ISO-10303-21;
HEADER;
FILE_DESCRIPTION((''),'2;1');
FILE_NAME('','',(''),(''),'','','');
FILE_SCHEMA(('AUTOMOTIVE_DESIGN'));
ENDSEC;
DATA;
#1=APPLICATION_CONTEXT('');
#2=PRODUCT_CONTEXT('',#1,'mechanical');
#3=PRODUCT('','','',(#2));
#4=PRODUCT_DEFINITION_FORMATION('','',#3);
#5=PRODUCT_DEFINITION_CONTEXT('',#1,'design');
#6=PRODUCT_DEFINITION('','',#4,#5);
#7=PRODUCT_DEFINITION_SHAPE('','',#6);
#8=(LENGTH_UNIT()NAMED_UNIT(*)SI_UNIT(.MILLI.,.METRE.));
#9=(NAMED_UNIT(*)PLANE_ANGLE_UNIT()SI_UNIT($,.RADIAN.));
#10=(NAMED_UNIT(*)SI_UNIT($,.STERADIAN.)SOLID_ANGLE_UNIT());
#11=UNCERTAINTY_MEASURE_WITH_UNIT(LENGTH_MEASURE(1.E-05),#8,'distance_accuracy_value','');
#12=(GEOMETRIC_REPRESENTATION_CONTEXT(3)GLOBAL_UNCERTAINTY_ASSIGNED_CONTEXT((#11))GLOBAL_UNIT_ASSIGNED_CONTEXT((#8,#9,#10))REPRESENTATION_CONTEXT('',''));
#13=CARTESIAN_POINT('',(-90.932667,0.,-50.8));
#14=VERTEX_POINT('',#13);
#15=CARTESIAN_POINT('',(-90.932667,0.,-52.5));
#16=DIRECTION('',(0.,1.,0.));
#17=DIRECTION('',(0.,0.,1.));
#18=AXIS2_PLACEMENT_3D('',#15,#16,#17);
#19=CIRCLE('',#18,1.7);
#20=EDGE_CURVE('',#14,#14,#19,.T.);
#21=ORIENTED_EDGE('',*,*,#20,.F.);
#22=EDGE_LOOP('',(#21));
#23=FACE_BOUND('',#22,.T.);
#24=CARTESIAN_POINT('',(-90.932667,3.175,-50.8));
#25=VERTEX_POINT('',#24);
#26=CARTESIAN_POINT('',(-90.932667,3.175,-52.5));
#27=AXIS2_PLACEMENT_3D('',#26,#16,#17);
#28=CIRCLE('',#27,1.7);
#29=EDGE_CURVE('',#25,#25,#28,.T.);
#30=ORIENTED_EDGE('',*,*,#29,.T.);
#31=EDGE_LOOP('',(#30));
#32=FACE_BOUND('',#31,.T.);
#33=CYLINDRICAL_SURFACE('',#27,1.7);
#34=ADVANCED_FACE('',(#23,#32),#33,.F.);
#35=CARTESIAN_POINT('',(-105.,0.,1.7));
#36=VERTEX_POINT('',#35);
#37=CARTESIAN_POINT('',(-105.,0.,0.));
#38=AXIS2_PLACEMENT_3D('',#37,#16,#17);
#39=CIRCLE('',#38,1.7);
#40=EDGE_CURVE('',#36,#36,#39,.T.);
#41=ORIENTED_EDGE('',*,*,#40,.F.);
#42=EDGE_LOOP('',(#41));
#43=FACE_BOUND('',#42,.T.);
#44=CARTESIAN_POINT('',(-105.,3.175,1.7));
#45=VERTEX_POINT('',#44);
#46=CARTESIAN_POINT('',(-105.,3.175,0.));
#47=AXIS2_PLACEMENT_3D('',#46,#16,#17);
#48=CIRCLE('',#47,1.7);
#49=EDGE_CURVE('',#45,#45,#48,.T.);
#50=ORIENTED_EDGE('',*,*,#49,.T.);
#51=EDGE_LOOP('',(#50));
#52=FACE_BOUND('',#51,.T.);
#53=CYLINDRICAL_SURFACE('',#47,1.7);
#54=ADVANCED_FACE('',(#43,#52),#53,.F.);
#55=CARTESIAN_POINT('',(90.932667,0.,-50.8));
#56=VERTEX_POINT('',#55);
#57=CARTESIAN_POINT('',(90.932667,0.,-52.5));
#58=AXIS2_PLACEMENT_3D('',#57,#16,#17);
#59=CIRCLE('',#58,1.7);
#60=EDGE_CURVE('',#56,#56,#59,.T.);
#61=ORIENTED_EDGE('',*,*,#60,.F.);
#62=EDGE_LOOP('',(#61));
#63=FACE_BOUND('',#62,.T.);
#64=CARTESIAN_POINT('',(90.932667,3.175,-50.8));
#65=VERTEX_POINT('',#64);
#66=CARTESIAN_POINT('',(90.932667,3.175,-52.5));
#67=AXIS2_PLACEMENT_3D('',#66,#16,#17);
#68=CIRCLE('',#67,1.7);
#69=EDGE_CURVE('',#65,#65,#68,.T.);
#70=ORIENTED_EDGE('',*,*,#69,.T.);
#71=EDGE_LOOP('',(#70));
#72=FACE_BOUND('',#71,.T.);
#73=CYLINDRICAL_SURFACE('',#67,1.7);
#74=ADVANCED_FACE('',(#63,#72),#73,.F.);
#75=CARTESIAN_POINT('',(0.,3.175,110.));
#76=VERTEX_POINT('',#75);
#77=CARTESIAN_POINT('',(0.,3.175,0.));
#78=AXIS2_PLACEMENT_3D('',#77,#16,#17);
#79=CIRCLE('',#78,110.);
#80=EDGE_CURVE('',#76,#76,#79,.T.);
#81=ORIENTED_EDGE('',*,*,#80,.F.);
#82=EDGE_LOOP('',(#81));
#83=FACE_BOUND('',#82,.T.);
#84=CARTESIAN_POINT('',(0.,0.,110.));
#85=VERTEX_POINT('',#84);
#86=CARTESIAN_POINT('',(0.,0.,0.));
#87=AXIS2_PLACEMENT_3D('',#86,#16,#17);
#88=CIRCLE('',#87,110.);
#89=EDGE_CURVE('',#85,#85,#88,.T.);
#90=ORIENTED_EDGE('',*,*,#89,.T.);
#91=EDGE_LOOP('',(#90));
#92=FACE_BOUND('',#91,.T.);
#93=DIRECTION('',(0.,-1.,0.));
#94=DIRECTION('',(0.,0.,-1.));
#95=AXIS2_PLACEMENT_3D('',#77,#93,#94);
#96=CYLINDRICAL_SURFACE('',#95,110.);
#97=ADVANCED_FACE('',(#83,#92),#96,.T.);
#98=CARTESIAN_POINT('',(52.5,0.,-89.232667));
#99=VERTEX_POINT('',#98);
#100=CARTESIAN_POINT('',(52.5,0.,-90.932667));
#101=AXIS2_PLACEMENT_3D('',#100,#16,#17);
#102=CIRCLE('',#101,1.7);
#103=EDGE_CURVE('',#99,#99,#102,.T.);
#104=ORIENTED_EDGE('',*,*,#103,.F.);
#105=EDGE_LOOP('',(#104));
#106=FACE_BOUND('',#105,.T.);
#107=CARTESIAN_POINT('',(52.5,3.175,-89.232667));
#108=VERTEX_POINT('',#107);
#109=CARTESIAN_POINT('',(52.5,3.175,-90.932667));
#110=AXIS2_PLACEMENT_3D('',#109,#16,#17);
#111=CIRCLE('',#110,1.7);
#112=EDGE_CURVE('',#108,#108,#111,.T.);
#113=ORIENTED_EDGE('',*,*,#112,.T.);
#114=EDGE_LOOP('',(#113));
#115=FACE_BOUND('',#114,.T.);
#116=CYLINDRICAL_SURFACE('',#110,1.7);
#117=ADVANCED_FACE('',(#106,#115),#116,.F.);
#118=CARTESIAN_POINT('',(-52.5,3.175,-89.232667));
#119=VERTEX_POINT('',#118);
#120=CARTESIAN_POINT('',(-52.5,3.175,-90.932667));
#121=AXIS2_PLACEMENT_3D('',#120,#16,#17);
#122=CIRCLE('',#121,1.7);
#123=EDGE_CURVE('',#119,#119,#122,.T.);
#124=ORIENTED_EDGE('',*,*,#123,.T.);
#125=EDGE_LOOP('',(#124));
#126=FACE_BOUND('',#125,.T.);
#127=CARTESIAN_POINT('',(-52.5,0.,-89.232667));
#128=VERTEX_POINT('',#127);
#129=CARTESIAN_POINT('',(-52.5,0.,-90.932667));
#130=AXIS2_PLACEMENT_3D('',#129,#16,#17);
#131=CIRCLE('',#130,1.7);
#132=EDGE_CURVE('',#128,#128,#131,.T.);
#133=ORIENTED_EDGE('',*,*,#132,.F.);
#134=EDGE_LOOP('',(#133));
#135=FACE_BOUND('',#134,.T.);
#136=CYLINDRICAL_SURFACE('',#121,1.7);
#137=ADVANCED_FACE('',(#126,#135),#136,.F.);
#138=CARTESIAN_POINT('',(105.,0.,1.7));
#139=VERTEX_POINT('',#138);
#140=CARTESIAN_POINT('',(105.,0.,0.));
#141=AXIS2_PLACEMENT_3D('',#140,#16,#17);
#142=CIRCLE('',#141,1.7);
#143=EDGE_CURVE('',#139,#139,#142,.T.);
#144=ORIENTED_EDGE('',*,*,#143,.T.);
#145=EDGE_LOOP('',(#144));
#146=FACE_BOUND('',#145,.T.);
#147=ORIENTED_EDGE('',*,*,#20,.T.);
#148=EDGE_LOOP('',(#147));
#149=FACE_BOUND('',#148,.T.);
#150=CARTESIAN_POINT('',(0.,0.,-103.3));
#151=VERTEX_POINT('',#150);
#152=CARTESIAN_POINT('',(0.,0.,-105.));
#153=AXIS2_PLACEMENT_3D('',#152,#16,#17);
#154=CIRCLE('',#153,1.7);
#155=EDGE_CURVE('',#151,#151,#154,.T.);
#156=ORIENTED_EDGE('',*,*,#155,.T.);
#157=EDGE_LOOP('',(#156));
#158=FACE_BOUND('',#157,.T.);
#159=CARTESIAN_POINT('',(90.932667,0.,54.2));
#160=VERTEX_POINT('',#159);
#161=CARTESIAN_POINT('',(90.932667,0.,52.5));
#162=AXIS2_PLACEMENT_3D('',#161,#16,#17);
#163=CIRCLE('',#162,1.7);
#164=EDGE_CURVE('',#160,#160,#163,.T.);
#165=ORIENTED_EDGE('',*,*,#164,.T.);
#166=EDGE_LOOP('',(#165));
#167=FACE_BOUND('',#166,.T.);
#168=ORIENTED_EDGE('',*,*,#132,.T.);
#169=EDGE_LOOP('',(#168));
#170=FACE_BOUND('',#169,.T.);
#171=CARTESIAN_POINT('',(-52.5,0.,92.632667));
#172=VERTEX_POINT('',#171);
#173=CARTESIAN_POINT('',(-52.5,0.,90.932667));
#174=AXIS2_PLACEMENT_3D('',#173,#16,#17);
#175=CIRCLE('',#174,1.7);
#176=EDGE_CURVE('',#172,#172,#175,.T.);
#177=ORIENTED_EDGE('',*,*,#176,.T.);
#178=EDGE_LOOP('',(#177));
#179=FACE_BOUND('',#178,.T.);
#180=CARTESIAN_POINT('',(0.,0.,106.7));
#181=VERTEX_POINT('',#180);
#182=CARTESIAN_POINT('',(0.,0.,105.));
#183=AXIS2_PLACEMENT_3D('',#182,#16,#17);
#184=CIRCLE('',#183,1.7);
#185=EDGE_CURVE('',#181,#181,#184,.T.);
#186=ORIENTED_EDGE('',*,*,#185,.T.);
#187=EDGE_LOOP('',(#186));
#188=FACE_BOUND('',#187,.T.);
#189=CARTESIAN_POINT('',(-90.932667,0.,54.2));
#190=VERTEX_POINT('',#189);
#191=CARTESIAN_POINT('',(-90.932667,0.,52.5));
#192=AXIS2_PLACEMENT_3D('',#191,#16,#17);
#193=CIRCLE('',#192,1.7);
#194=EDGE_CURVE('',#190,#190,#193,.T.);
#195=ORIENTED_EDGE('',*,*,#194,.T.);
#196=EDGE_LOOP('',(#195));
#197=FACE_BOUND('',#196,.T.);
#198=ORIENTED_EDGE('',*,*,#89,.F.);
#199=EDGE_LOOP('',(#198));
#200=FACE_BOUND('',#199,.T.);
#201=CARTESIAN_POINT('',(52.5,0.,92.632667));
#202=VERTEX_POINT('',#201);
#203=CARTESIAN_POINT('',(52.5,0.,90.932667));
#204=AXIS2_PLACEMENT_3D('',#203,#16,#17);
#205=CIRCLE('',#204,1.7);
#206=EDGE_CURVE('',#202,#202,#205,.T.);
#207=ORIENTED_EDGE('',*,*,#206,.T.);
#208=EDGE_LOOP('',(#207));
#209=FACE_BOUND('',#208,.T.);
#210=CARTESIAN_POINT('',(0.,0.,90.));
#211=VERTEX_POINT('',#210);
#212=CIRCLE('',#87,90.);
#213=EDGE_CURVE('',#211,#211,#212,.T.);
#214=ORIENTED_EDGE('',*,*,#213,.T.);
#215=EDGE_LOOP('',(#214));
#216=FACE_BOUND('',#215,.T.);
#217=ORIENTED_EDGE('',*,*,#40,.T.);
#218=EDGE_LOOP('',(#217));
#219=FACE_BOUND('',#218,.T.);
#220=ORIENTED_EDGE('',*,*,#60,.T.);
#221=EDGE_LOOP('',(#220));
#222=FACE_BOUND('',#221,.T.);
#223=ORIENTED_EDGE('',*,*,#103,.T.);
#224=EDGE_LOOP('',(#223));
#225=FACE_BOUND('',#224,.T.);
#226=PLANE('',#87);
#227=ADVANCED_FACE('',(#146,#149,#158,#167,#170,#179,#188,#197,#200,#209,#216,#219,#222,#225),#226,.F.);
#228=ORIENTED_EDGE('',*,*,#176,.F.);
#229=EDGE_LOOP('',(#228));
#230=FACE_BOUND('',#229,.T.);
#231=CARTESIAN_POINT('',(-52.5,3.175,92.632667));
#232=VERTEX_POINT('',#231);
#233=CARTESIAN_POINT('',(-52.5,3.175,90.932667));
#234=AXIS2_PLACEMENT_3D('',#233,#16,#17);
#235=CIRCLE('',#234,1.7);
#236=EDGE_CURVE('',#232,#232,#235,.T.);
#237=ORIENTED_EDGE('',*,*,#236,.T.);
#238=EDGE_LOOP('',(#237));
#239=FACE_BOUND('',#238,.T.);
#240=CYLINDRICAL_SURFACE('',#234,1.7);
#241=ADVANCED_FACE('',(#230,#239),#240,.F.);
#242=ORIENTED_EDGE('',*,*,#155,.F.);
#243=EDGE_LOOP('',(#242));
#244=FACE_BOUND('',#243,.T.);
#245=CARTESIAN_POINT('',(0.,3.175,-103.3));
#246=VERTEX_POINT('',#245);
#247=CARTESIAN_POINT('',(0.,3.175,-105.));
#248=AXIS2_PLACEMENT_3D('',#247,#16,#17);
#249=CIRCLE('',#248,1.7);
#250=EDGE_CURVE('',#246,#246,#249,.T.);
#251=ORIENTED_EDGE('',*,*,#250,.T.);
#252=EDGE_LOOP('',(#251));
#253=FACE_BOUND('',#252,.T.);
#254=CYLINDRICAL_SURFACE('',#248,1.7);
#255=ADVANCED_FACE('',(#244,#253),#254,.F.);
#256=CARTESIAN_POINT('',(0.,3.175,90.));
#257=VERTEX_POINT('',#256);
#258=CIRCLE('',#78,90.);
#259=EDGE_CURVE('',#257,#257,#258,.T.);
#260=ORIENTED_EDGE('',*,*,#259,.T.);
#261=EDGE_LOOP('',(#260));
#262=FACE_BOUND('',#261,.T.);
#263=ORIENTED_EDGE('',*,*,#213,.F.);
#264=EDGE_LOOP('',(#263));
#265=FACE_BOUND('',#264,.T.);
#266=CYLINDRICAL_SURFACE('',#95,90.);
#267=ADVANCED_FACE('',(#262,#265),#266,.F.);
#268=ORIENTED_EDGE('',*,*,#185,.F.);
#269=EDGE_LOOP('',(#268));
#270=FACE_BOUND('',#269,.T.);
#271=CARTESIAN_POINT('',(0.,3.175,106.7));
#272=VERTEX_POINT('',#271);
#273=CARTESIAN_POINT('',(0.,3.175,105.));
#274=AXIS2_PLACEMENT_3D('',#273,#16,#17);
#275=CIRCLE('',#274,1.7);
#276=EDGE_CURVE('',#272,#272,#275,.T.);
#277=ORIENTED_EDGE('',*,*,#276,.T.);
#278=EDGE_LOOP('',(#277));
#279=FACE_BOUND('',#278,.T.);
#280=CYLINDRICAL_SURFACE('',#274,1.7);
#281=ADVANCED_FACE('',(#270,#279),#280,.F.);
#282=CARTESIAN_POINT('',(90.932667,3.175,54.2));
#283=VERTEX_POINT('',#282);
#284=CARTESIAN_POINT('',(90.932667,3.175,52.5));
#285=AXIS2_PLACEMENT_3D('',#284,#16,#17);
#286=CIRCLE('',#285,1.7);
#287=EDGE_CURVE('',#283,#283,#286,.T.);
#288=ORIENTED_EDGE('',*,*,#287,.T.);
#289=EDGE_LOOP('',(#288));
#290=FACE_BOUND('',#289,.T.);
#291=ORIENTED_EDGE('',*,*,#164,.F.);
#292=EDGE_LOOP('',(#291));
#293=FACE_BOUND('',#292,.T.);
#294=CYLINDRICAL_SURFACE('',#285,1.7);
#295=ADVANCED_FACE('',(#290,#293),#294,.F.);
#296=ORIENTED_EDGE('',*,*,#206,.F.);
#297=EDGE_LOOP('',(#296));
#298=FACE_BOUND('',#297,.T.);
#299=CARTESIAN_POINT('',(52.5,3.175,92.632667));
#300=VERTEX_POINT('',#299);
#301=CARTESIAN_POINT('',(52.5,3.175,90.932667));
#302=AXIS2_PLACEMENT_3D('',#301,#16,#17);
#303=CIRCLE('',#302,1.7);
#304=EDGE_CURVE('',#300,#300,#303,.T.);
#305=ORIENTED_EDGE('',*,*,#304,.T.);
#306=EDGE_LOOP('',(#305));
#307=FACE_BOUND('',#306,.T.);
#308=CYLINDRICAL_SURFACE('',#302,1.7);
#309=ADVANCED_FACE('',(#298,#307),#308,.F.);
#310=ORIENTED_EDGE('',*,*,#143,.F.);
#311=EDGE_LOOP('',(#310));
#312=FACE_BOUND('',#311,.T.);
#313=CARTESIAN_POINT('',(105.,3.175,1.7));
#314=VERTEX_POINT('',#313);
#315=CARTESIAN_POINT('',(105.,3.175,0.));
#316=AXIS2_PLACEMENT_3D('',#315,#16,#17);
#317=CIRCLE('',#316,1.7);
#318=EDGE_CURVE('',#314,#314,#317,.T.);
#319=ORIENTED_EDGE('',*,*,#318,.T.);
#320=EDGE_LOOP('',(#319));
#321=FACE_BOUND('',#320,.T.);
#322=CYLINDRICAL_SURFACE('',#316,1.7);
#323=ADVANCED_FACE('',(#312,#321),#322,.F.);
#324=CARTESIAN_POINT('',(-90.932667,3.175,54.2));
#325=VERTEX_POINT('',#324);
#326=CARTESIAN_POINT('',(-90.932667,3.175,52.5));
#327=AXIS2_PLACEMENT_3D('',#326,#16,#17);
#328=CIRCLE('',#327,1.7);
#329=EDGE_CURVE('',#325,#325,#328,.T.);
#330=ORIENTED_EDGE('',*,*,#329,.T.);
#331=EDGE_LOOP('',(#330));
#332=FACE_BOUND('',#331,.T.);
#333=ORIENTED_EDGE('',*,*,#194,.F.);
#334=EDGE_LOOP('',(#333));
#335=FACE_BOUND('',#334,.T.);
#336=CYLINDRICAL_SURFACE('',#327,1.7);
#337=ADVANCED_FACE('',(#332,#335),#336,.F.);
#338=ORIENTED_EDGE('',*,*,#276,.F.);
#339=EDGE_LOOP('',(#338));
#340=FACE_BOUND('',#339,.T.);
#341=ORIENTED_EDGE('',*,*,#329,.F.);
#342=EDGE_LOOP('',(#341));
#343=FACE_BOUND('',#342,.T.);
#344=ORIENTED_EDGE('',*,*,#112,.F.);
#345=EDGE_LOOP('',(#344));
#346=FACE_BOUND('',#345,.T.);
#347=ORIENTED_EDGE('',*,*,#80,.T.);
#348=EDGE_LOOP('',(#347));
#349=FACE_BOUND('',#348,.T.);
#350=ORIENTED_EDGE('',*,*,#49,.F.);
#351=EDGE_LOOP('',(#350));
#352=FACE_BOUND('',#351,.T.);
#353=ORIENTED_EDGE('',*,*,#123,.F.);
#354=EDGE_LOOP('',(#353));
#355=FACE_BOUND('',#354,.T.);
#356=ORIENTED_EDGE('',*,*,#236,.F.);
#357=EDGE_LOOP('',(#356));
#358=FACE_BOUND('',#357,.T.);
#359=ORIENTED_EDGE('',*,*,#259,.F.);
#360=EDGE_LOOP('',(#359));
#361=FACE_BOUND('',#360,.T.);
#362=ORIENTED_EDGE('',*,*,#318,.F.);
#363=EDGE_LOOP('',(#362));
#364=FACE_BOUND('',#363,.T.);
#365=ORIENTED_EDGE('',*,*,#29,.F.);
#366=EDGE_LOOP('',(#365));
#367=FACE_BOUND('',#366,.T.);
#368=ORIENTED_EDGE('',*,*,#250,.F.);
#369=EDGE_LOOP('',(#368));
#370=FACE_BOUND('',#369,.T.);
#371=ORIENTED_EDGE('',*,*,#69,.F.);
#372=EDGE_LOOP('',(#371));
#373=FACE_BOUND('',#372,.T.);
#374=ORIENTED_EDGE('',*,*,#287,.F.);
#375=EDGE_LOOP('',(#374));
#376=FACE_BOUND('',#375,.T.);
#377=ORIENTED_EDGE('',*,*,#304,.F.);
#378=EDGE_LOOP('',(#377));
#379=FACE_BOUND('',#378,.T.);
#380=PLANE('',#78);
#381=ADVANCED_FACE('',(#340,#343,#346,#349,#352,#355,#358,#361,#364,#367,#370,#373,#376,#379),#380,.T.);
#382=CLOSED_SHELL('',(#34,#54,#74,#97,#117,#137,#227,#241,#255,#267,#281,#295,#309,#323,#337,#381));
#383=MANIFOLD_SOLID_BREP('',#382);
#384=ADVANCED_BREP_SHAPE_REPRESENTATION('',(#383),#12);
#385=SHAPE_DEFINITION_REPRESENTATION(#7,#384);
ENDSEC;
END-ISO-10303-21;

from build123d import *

# Parameters (mm, degrees)
SKETCH1_R            = 110
SKETCH1_R_2          = 90
BOSS_EXTRUDE1_DEPTH  = 3.175
M3_CLEARANCE_HOLE1_D = 3.4


with BuildPart() as part:
    # Sketch1 → Boss-Extrude1 (new body)
    with BuildSketch(Plane(origin=(0, 0, 0), x_dir=(1, 0, 0), z_dir=(0, 1, 0))):
        with Locations(Location((0, 0, 0), (0, 0, 270))):
            Circle(SKETCH1_R)
        with Locations(Location((0, 0, 0), (0, 0, 270))):
            Circle(SKETCH1_R_2, mode=Mode.SUBTRACT)
    extrude(amount=BOSS_EXTRUDE1_DEPTH)

    # M3 Clearance Hole1 (through all)
    with Locations(Plane(origin=(0, 3.175, 0), x_dir=(1, 0, 0), z_dir=(0, 1, 0))):
        with Locations((0, 105), (52.5, 90.932667397), (90.932667397, 52.5), (105, 0), (90.932667397, -52.5), (52.5, -90.932667397), (0, -105), (-52.5, -90.932667397), (-90.932667397, -52.5), (-105, 0), (-90.932667397, 52.5), (-52.5, 90.932667397)):
            Hole(M3_CLEARANCE_HOLE1_D / 2)


solid = part.part
